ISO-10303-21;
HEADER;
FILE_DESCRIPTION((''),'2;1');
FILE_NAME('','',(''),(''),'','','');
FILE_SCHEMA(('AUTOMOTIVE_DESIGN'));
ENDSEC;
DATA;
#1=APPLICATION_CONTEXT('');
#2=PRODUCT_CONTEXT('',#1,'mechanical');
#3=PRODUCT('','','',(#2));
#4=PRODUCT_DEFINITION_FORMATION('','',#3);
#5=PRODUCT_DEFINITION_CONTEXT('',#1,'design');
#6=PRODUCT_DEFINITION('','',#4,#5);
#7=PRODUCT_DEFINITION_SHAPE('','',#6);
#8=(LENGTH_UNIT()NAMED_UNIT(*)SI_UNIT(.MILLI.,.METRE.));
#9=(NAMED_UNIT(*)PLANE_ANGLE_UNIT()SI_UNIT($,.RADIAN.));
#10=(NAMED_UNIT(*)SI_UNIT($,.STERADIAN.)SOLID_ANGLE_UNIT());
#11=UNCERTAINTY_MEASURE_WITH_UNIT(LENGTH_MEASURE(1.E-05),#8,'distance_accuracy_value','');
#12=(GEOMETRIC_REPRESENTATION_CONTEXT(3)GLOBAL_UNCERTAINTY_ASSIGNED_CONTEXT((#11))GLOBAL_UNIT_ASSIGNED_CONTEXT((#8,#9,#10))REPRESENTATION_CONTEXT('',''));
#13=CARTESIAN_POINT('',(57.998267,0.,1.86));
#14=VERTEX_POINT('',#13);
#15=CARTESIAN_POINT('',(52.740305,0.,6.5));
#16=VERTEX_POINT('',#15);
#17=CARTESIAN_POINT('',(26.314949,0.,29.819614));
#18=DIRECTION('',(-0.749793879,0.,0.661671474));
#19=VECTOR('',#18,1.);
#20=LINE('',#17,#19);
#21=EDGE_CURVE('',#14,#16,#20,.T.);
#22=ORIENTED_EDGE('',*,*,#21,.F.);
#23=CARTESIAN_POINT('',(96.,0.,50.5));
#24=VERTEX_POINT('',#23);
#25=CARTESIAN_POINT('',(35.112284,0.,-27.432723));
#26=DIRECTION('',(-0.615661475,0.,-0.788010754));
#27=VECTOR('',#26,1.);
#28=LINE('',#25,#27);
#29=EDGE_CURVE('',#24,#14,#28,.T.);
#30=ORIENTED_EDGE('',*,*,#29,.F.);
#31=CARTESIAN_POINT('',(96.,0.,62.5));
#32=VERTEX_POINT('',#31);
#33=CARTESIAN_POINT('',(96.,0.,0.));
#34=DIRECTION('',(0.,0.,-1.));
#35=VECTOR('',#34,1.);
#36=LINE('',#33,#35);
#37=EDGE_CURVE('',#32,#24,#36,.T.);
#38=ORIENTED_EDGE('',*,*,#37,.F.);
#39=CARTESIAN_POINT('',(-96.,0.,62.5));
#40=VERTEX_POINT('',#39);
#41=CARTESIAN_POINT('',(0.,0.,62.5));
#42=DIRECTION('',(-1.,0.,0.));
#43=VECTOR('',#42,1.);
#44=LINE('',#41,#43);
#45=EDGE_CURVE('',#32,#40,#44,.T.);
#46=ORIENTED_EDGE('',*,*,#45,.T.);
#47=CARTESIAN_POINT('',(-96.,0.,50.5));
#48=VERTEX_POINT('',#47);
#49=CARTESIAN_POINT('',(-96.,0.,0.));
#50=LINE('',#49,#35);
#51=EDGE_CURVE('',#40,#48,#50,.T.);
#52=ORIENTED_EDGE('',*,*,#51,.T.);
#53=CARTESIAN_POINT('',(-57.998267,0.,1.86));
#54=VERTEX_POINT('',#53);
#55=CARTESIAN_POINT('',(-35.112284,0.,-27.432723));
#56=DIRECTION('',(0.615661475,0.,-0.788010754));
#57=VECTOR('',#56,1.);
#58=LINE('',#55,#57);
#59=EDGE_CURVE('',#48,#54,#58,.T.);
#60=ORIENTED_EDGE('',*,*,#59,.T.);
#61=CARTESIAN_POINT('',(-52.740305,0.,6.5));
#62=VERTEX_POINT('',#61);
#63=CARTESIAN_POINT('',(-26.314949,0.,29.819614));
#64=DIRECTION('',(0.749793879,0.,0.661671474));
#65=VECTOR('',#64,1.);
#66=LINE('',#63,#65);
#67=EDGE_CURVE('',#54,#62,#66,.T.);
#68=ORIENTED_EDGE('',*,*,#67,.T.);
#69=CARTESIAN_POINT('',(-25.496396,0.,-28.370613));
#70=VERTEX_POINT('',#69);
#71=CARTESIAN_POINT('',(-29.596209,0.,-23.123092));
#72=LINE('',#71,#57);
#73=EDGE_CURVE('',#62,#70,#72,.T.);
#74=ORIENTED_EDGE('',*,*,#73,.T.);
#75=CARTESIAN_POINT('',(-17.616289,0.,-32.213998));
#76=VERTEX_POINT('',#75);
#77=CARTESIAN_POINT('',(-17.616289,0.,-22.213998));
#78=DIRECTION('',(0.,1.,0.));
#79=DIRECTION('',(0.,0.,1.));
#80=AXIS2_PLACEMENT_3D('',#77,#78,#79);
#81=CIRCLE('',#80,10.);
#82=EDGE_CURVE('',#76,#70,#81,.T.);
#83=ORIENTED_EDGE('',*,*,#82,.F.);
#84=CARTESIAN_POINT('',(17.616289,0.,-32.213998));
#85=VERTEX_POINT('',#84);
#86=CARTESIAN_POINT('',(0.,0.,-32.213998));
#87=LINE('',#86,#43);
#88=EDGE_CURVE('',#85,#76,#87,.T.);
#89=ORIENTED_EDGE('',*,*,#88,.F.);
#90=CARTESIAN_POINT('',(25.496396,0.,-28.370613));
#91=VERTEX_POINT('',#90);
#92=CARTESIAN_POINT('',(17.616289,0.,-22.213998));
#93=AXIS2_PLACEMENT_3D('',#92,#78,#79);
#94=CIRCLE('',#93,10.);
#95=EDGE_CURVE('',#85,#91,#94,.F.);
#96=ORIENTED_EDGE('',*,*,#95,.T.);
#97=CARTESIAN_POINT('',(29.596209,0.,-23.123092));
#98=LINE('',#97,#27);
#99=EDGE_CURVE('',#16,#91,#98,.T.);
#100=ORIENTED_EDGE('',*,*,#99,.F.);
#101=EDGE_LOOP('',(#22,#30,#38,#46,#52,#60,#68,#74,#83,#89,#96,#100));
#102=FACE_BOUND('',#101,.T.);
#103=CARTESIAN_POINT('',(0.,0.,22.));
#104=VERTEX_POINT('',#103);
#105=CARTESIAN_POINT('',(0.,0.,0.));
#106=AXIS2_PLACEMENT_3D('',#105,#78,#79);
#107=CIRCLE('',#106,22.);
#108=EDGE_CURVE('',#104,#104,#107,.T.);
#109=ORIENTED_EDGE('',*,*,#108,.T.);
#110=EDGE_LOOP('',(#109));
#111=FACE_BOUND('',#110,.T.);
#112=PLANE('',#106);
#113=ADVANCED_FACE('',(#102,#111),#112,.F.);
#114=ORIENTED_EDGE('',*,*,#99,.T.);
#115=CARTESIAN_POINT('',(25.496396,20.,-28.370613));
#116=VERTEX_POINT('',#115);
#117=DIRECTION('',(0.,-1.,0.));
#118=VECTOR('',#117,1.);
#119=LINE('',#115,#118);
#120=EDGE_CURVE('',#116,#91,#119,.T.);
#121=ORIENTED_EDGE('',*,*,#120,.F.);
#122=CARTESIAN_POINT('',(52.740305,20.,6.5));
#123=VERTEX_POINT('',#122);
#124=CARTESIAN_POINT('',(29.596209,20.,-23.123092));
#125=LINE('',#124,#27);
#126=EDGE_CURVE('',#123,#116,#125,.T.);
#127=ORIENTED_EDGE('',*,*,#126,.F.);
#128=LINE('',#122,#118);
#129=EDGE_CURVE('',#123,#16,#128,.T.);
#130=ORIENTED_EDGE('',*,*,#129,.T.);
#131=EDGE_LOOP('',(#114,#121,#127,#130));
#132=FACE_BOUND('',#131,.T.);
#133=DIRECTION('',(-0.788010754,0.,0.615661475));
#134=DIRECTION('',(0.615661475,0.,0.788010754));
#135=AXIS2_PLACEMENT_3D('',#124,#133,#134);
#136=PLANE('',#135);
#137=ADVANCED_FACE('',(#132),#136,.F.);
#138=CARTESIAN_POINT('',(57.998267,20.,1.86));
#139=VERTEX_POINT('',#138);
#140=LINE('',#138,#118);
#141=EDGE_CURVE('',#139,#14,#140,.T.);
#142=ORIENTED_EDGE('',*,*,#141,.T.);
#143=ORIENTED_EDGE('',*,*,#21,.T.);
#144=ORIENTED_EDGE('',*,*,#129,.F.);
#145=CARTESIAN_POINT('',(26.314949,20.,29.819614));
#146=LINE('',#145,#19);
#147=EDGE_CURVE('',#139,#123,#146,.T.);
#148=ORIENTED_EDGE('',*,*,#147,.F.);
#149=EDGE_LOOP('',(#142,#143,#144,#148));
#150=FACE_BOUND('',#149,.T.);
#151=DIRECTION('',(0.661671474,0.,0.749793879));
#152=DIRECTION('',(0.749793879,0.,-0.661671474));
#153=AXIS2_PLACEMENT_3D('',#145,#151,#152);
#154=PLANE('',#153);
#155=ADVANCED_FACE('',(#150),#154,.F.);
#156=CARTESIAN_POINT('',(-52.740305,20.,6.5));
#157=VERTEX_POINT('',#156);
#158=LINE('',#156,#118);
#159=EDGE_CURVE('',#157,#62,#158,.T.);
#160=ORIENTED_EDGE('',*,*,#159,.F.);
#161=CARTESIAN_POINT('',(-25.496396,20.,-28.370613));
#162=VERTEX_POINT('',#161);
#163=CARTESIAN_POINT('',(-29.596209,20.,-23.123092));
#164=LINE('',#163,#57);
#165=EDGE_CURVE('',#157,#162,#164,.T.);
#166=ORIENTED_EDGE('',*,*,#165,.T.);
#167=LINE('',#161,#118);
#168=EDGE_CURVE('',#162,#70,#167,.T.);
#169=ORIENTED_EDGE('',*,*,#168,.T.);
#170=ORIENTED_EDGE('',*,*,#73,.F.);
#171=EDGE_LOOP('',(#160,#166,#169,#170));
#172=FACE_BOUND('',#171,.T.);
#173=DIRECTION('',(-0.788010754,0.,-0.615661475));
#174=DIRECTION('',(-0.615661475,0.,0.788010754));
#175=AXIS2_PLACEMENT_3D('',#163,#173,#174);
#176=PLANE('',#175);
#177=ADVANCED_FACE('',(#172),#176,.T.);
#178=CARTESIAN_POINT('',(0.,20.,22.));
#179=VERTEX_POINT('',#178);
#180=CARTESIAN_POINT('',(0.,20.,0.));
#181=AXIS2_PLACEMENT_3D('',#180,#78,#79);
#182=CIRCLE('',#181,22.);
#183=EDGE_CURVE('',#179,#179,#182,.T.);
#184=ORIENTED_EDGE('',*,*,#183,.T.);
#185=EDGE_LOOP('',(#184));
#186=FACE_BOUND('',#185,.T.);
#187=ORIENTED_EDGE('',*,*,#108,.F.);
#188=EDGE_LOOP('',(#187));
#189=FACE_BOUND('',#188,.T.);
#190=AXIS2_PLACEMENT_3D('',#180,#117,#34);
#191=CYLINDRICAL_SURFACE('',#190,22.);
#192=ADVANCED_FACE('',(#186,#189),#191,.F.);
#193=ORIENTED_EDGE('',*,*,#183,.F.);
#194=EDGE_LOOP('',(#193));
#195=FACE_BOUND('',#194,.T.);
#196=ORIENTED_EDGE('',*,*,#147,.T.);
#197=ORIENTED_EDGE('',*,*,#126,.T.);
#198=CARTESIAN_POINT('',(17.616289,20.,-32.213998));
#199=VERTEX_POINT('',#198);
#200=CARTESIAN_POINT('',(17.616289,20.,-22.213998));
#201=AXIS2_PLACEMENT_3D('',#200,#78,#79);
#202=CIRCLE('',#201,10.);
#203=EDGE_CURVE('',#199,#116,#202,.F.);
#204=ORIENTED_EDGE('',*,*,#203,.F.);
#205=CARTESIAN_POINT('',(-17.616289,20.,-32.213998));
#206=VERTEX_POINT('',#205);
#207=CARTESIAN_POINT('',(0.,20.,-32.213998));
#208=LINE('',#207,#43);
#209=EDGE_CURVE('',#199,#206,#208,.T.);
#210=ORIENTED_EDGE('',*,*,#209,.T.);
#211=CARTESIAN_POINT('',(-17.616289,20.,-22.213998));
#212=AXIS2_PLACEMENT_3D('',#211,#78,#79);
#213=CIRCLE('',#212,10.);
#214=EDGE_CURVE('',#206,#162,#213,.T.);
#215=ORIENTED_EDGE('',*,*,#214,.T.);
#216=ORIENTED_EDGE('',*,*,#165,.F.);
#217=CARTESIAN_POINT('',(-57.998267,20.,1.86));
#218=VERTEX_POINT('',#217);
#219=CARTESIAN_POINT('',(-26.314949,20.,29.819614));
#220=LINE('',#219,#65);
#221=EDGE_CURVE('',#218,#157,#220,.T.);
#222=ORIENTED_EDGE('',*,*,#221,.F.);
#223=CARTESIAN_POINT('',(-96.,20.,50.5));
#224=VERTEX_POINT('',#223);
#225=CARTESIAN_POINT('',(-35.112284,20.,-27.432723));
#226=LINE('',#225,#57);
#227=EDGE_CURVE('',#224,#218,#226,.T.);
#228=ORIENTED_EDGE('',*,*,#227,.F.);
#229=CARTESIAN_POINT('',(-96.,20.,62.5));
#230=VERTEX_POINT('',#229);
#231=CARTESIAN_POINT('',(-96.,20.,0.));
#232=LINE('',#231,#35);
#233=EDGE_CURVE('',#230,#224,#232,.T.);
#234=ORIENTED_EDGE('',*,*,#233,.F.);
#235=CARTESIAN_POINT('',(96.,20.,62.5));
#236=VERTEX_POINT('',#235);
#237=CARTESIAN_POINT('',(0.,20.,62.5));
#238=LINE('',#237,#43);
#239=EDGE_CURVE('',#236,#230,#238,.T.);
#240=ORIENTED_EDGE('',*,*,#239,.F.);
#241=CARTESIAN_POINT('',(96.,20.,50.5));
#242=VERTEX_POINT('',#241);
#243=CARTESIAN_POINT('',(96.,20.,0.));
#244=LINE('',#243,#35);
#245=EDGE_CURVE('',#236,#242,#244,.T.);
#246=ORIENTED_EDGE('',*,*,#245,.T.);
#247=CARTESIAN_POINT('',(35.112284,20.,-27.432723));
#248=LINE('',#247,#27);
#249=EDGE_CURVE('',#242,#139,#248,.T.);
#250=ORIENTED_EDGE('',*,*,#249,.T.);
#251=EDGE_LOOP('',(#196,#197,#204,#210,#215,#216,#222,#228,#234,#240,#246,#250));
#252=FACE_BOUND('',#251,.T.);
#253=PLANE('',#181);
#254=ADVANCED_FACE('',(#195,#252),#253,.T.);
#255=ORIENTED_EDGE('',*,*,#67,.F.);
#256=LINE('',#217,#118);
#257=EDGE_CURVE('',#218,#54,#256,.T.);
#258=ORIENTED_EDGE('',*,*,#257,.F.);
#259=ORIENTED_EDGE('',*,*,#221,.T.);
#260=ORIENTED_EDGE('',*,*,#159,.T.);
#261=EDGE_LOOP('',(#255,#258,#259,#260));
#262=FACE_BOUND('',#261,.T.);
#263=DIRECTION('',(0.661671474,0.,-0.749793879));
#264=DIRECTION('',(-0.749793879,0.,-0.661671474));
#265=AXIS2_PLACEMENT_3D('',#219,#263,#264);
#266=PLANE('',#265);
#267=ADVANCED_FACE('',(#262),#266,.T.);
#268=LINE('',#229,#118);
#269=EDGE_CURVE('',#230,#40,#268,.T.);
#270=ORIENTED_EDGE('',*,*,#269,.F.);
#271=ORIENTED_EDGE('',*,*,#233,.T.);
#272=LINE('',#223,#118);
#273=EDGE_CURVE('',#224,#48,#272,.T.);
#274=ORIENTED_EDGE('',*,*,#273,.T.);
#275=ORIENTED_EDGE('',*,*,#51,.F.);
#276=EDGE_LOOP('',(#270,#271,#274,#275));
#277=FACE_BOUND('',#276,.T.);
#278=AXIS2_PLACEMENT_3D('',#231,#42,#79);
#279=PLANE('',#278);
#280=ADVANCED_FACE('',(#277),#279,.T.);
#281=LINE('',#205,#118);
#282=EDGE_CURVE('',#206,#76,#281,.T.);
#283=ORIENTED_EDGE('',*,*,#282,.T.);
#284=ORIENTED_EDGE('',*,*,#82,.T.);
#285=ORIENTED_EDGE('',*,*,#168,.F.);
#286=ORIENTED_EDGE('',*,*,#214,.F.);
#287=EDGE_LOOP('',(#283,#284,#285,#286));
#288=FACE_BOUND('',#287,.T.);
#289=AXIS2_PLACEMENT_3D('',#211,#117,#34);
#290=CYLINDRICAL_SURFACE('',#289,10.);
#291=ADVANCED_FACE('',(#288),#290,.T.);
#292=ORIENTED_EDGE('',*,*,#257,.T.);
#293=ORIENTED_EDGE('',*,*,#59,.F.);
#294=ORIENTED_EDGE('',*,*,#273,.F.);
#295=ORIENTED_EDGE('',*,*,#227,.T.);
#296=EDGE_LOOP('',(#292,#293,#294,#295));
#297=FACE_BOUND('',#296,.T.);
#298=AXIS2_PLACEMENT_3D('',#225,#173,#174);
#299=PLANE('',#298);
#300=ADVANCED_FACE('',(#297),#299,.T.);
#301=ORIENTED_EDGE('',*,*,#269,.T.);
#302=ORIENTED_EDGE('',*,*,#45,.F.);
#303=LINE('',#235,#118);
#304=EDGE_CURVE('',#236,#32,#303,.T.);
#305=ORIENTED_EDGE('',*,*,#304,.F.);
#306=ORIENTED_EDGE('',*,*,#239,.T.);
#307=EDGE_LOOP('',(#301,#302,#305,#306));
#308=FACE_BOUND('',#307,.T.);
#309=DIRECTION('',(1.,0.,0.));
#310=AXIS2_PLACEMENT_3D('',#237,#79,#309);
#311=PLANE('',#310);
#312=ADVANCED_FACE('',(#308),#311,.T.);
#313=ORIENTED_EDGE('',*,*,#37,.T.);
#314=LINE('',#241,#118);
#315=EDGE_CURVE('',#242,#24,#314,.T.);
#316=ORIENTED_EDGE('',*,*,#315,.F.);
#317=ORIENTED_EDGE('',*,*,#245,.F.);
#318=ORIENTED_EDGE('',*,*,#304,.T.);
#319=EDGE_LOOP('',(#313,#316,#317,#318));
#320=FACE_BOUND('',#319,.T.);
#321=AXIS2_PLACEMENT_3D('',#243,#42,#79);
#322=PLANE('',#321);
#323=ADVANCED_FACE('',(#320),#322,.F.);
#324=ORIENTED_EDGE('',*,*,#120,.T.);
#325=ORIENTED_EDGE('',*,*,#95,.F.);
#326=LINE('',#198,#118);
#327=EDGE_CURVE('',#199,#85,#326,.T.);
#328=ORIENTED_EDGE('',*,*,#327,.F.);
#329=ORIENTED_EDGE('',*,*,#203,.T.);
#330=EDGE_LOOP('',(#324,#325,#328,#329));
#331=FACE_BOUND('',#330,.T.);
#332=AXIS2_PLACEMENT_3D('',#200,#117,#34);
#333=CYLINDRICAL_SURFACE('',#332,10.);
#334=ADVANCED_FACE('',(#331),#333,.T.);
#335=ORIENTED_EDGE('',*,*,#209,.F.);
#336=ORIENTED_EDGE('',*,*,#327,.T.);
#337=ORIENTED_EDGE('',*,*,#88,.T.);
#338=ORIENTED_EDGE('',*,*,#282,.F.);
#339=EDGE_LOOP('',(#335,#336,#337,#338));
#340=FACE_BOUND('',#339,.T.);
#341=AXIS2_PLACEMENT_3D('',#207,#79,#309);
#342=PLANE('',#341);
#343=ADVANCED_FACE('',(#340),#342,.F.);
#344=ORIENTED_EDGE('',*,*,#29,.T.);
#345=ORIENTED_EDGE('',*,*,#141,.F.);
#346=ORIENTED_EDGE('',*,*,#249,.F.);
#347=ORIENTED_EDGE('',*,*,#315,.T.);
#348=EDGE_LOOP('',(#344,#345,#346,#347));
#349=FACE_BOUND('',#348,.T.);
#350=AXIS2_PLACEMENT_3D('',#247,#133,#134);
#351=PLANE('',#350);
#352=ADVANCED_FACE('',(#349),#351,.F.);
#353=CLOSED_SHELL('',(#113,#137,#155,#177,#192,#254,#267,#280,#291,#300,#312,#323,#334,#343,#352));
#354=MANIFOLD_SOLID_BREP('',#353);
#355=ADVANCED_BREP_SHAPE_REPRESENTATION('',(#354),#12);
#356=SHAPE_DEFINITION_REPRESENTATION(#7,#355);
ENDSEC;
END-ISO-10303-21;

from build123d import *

# Parameters (mm, degrees)
SKETCH1_R           = 22
BOSS_EXTRUDE1_DEPTH = 20


with BuildPart() as part:
    # Sketch1 → Boss-Extrude1 (new body)
    # profile 1 of 4: a face of its own
    with BuildSketch(Plane(origin=(0, 0, 0), x_dir=(1, 0, 0), z_dir=(0, 1, 0))):
        with BuildLine():
            Line((-96, -62.5), (96, -62.5))
            Line((96, -62.5), (96, -50.5))
            Line((96, -50.5), (57.998267127, -1.86))
            Line((57.998267127, -1.86), (52.740304928, -6.5))
            Line((52.740304928, -6.5), (32.582594335, 19.300692998))
            Line((32.582594335, 19.300692998), (25.496396068, 28.370613174))
            ThreePointArc((25.496396068, 28.370613174), (22, 31.201938883), (17.616288532, 32.21399842))
            Line((17.616288532, 32.21399842), (-17.616288532, 32.21399842))
            ThreePointArc((-17.616288532, 32.21399842), (-22, 31.201938883), (-25.496396068, 28.370613174))
            Line((-25.496396068, 28.370613174), (-32.582594335, 19.300692998))
            Line((-32.582594335, 19.300692998), (-52.740304928, -6.5))
            Line((-52.740304928, -6.5), (-57.998267127, -1.86))
            Line((-57.998267127, -1.86), (-96, -50.5))
            Line((-96, -50.5), (-96, -62.5))
        make_face()
        with Locations(Location((0, 0, 0), (0, 0, 270))):
            Circle(SKETCH1_R, mode=Mode.SUBTRACT)
    # profile 2 of 4: a face of its own
    with BuildSketch(Plane(origin=(0, 0, 0), x_dir=(1, 0, 0), z_dir=(0, 1, 0))):
        with BuildLine():
            Line((-96, -62.5), (96, -62.5))
            Line((96, -62.5), (96, -50.5))
            Line((96, -50.5), (57.998267127, -1.86))
            Line((57.998267127, -1.86), (52.740304928, -6.5))
            Line((52.740304928, -6.5), (32.582594335, 19.300692998))
            Line((32.582594335, 19.300692998), (25.496396068, 28.370613174))
            ThreePointArc((25.496396068, 28.370613174), (22, 31.201938883), (17.616288532, 32.21399842))
            Line((17.616288532, 32.21399842), (-17.616288532, 32.21399842))
            ThreePointArc((-17.616288532, 32.21399842), (-22, 31.201938883), (-25.496396068, 28.370613174))
            Line((-25.496396068, 28.370613174), (-32.582594335, 19.300692998))
            Line((-32.582594335, 19.300692998), (-52.740304928, -6.5))
            Line((-52.740304928, -6.5), (-57.998267127, -1.86))
            Line((-57.998267127, -1.86), (-96, -50.5))
            Line((-96, -50.5), (-96, -62.5))
        make_face()
        with Locations(Location((0, 0, 0), (0, 0, 270))):
            Circle(SKETCH1_R, mode=Mode.SUBTRACT)
    # profile 3 of 4: a face of its own
    with BuildSketch(Plane(origin=(0, 0, 0), x_dir=(1, 0, 0), z_dir=(0, 1, 0))):
        with BuildLine():
            Line((-96, -62.5), (96, -62.5))
            Line((96, -62.5), (96, -50.5))
            Line((96, -50.5), (57.998267127, -1.86))
            Line((57.998267127, -1.86), (52.740304928, -6.5))
            Line((52.740304928, -6.5), (32.582594335, 19.300692998))
            Line((32.582594335, 19.300692998), (25.496396068, 28.370613174))
            ThreePointArc((25.496396068, 28.370613174), (22, 31.201938883), (17.616288532, 32.21399842))
            Line((17.616288532, 32.21399842), (-17.616288532, 32.21399842))
            ThreePointArc((-17.616288532, 32.21399842), (-22, 31.201938883), (-25.496396068, 28.370613174))
            Line((-25.496396068, 28.370613174), (-32.582594335, 19.300692998))
            Line((-32.582594335, 19.300692998), (-52.740304928, -6.5))
            Line((-52.740304928, -6.5), (-57.998267127, -1.86))
            Line((-57.998267127, -1.86), (-96, -50.5))
            Line((-96, -50.5), (-96, -62.5))
        make_face()
        with Locations(Location((0, 0, 0), (0, 0, 270))):
            Circle(SKETCH1_R, mode=Mode.SUBTRACT)
    # profile 4 of 4: a face of its own
    with BuildSketch(Plane(origin=(0, 0, 0), x_dir=(1, 0, 0), z_dir=(0, 1, 0))):
        with BuildLine():
            Line((-96, -62.5), (96, -62.5))
            Line((96, -62.5), (96, -50.5))
            Line((96, -50.5), (57.998267127, -1.86))
            Line((57.998267127, -1.86), (52.740304928, -6.5))
            Line((52.740304928, -6.5), (32.582594335, 19.300692998))
            Line((32.582594335, 19.300692998), (25.496396068, 28.370613174))
            ThreePointArc((25.496396068, 28.370613174), (22, 31.201938883), (17.616288532, 32.21399842))
            Line((17.616288532, 32.21399842), (-17.616288532, 32.21399842))
            ThreePointArc((-17.616288532, 32.21399842), (-22, 31.201938883), (-25.496396068, 28.370613174))
            Line((-25.496396068, 28.370613174), (-32.582594335, 19.300692998))
            Line((-32.582594335, 19.300692998), (-52.740304928, -6.5))
            Line((-52.740304928, -6.5), (-57.998267127, -1.86))
            Line((-57.998267127, -1.86), (-96, -50.5))
            Line((-96, -50.5), (-96, -62.5))
        make_face()
        with Locations(Location((0, 0, 0), (0, 0, 270))):
            Circle(SKETCH1_R, mode=Mode.SUBTRACT)
    extrude(amount=BOSS_EXTRUDE1_DEPTH)


solid = part.part
